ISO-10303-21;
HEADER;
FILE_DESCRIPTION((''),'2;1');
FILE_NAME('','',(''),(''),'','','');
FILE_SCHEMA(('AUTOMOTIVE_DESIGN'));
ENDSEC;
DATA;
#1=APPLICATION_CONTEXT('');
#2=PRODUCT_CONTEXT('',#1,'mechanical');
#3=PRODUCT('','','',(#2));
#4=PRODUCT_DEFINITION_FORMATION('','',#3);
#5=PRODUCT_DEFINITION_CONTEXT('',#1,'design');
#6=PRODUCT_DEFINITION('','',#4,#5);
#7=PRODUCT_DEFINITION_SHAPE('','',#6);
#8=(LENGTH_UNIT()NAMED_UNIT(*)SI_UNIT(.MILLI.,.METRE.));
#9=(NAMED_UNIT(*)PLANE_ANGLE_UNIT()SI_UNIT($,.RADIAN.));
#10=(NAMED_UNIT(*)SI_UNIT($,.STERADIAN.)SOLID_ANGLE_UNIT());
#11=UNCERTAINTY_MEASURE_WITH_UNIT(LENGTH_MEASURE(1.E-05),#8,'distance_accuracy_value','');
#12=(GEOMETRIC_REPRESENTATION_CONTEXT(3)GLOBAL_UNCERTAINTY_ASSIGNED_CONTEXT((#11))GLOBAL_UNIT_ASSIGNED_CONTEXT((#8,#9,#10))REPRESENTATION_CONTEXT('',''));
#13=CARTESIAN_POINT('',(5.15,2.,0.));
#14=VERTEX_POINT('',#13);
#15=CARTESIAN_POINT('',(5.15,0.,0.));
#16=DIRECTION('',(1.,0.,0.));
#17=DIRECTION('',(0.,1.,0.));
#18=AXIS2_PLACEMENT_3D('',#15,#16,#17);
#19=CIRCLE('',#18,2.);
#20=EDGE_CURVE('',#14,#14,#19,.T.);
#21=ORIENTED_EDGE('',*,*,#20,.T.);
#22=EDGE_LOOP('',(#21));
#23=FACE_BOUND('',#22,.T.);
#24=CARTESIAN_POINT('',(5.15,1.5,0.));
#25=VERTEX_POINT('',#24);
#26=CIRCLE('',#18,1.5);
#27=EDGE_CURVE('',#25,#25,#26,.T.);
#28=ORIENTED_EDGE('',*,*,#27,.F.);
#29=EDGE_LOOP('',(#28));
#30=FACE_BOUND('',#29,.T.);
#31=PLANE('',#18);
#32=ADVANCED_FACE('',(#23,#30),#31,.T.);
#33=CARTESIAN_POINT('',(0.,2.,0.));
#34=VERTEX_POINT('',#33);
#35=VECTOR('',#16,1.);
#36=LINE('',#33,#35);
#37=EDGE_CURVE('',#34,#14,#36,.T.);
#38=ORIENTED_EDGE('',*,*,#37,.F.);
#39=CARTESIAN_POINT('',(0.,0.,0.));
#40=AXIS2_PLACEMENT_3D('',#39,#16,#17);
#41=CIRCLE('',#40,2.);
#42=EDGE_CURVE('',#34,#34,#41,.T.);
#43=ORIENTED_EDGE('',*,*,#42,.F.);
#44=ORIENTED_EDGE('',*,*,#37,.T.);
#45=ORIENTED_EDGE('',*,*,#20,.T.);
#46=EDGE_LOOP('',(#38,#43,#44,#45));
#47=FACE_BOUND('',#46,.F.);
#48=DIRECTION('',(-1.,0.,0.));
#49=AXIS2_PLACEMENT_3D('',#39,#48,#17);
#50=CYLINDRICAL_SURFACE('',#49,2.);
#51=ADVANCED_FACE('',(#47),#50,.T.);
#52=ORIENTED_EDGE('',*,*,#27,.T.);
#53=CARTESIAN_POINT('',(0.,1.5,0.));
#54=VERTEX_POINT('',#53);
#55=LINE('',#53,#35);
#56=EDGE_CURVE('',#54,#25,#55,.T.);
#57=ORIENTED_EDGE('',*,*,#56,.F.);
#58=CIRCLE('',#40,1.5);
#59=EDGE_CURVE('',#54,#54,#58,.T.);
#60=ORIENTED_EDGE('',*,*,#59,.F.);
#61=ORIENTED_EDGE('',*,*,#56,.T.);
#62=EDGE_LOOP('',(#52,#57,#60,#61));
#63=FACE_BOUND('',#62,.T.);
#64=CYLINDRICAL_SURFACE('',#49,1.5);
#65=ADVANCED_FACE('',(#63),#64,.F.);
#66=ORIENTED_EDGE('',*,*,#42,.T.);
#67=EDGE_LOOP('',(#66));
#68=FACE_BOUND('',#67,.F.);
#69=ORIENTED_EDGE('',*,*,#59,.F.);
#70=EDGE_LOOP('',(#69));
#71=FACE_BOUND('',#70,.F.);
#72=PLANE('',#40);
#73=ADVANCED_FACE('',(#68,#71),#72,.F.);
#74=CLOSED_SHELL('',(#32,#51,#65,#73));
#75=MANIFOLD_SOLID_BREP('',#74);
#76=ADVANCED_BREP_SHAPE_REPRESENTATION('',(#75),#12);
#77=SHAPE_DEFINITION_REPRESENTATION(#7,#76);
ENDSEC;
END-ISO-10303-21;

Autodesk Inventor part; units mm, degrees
ref_plane "YZ Plane" through (0, 0, 0) normal (1, 0, 0) x (0, 1, 0)
ref_plane "XZ Plane" through (0, 0, 0) normal (0, 1, 0) x (-1, 0, 0)
ref_plane "XY Plane" through (0, 0, 0) normal (0, 0, 1) x (1, 0, 0)
sketch "スケッチ1" plane through (0, 0, 0) normal (1, 0, 0) x (0, 1, 0)
  circle A0 centre (0, 0) radius 1.5
  circle A1 centre (0, 0) radius 2
  dimension "d0" = 3
  dimension "d1" = 4
extrude "押し出し1" add sketch "スケッチ1" along normal blind 5.15
properties part number "sensor_sensorcover_spacer" material "真鍮、ソフト イエロー"
